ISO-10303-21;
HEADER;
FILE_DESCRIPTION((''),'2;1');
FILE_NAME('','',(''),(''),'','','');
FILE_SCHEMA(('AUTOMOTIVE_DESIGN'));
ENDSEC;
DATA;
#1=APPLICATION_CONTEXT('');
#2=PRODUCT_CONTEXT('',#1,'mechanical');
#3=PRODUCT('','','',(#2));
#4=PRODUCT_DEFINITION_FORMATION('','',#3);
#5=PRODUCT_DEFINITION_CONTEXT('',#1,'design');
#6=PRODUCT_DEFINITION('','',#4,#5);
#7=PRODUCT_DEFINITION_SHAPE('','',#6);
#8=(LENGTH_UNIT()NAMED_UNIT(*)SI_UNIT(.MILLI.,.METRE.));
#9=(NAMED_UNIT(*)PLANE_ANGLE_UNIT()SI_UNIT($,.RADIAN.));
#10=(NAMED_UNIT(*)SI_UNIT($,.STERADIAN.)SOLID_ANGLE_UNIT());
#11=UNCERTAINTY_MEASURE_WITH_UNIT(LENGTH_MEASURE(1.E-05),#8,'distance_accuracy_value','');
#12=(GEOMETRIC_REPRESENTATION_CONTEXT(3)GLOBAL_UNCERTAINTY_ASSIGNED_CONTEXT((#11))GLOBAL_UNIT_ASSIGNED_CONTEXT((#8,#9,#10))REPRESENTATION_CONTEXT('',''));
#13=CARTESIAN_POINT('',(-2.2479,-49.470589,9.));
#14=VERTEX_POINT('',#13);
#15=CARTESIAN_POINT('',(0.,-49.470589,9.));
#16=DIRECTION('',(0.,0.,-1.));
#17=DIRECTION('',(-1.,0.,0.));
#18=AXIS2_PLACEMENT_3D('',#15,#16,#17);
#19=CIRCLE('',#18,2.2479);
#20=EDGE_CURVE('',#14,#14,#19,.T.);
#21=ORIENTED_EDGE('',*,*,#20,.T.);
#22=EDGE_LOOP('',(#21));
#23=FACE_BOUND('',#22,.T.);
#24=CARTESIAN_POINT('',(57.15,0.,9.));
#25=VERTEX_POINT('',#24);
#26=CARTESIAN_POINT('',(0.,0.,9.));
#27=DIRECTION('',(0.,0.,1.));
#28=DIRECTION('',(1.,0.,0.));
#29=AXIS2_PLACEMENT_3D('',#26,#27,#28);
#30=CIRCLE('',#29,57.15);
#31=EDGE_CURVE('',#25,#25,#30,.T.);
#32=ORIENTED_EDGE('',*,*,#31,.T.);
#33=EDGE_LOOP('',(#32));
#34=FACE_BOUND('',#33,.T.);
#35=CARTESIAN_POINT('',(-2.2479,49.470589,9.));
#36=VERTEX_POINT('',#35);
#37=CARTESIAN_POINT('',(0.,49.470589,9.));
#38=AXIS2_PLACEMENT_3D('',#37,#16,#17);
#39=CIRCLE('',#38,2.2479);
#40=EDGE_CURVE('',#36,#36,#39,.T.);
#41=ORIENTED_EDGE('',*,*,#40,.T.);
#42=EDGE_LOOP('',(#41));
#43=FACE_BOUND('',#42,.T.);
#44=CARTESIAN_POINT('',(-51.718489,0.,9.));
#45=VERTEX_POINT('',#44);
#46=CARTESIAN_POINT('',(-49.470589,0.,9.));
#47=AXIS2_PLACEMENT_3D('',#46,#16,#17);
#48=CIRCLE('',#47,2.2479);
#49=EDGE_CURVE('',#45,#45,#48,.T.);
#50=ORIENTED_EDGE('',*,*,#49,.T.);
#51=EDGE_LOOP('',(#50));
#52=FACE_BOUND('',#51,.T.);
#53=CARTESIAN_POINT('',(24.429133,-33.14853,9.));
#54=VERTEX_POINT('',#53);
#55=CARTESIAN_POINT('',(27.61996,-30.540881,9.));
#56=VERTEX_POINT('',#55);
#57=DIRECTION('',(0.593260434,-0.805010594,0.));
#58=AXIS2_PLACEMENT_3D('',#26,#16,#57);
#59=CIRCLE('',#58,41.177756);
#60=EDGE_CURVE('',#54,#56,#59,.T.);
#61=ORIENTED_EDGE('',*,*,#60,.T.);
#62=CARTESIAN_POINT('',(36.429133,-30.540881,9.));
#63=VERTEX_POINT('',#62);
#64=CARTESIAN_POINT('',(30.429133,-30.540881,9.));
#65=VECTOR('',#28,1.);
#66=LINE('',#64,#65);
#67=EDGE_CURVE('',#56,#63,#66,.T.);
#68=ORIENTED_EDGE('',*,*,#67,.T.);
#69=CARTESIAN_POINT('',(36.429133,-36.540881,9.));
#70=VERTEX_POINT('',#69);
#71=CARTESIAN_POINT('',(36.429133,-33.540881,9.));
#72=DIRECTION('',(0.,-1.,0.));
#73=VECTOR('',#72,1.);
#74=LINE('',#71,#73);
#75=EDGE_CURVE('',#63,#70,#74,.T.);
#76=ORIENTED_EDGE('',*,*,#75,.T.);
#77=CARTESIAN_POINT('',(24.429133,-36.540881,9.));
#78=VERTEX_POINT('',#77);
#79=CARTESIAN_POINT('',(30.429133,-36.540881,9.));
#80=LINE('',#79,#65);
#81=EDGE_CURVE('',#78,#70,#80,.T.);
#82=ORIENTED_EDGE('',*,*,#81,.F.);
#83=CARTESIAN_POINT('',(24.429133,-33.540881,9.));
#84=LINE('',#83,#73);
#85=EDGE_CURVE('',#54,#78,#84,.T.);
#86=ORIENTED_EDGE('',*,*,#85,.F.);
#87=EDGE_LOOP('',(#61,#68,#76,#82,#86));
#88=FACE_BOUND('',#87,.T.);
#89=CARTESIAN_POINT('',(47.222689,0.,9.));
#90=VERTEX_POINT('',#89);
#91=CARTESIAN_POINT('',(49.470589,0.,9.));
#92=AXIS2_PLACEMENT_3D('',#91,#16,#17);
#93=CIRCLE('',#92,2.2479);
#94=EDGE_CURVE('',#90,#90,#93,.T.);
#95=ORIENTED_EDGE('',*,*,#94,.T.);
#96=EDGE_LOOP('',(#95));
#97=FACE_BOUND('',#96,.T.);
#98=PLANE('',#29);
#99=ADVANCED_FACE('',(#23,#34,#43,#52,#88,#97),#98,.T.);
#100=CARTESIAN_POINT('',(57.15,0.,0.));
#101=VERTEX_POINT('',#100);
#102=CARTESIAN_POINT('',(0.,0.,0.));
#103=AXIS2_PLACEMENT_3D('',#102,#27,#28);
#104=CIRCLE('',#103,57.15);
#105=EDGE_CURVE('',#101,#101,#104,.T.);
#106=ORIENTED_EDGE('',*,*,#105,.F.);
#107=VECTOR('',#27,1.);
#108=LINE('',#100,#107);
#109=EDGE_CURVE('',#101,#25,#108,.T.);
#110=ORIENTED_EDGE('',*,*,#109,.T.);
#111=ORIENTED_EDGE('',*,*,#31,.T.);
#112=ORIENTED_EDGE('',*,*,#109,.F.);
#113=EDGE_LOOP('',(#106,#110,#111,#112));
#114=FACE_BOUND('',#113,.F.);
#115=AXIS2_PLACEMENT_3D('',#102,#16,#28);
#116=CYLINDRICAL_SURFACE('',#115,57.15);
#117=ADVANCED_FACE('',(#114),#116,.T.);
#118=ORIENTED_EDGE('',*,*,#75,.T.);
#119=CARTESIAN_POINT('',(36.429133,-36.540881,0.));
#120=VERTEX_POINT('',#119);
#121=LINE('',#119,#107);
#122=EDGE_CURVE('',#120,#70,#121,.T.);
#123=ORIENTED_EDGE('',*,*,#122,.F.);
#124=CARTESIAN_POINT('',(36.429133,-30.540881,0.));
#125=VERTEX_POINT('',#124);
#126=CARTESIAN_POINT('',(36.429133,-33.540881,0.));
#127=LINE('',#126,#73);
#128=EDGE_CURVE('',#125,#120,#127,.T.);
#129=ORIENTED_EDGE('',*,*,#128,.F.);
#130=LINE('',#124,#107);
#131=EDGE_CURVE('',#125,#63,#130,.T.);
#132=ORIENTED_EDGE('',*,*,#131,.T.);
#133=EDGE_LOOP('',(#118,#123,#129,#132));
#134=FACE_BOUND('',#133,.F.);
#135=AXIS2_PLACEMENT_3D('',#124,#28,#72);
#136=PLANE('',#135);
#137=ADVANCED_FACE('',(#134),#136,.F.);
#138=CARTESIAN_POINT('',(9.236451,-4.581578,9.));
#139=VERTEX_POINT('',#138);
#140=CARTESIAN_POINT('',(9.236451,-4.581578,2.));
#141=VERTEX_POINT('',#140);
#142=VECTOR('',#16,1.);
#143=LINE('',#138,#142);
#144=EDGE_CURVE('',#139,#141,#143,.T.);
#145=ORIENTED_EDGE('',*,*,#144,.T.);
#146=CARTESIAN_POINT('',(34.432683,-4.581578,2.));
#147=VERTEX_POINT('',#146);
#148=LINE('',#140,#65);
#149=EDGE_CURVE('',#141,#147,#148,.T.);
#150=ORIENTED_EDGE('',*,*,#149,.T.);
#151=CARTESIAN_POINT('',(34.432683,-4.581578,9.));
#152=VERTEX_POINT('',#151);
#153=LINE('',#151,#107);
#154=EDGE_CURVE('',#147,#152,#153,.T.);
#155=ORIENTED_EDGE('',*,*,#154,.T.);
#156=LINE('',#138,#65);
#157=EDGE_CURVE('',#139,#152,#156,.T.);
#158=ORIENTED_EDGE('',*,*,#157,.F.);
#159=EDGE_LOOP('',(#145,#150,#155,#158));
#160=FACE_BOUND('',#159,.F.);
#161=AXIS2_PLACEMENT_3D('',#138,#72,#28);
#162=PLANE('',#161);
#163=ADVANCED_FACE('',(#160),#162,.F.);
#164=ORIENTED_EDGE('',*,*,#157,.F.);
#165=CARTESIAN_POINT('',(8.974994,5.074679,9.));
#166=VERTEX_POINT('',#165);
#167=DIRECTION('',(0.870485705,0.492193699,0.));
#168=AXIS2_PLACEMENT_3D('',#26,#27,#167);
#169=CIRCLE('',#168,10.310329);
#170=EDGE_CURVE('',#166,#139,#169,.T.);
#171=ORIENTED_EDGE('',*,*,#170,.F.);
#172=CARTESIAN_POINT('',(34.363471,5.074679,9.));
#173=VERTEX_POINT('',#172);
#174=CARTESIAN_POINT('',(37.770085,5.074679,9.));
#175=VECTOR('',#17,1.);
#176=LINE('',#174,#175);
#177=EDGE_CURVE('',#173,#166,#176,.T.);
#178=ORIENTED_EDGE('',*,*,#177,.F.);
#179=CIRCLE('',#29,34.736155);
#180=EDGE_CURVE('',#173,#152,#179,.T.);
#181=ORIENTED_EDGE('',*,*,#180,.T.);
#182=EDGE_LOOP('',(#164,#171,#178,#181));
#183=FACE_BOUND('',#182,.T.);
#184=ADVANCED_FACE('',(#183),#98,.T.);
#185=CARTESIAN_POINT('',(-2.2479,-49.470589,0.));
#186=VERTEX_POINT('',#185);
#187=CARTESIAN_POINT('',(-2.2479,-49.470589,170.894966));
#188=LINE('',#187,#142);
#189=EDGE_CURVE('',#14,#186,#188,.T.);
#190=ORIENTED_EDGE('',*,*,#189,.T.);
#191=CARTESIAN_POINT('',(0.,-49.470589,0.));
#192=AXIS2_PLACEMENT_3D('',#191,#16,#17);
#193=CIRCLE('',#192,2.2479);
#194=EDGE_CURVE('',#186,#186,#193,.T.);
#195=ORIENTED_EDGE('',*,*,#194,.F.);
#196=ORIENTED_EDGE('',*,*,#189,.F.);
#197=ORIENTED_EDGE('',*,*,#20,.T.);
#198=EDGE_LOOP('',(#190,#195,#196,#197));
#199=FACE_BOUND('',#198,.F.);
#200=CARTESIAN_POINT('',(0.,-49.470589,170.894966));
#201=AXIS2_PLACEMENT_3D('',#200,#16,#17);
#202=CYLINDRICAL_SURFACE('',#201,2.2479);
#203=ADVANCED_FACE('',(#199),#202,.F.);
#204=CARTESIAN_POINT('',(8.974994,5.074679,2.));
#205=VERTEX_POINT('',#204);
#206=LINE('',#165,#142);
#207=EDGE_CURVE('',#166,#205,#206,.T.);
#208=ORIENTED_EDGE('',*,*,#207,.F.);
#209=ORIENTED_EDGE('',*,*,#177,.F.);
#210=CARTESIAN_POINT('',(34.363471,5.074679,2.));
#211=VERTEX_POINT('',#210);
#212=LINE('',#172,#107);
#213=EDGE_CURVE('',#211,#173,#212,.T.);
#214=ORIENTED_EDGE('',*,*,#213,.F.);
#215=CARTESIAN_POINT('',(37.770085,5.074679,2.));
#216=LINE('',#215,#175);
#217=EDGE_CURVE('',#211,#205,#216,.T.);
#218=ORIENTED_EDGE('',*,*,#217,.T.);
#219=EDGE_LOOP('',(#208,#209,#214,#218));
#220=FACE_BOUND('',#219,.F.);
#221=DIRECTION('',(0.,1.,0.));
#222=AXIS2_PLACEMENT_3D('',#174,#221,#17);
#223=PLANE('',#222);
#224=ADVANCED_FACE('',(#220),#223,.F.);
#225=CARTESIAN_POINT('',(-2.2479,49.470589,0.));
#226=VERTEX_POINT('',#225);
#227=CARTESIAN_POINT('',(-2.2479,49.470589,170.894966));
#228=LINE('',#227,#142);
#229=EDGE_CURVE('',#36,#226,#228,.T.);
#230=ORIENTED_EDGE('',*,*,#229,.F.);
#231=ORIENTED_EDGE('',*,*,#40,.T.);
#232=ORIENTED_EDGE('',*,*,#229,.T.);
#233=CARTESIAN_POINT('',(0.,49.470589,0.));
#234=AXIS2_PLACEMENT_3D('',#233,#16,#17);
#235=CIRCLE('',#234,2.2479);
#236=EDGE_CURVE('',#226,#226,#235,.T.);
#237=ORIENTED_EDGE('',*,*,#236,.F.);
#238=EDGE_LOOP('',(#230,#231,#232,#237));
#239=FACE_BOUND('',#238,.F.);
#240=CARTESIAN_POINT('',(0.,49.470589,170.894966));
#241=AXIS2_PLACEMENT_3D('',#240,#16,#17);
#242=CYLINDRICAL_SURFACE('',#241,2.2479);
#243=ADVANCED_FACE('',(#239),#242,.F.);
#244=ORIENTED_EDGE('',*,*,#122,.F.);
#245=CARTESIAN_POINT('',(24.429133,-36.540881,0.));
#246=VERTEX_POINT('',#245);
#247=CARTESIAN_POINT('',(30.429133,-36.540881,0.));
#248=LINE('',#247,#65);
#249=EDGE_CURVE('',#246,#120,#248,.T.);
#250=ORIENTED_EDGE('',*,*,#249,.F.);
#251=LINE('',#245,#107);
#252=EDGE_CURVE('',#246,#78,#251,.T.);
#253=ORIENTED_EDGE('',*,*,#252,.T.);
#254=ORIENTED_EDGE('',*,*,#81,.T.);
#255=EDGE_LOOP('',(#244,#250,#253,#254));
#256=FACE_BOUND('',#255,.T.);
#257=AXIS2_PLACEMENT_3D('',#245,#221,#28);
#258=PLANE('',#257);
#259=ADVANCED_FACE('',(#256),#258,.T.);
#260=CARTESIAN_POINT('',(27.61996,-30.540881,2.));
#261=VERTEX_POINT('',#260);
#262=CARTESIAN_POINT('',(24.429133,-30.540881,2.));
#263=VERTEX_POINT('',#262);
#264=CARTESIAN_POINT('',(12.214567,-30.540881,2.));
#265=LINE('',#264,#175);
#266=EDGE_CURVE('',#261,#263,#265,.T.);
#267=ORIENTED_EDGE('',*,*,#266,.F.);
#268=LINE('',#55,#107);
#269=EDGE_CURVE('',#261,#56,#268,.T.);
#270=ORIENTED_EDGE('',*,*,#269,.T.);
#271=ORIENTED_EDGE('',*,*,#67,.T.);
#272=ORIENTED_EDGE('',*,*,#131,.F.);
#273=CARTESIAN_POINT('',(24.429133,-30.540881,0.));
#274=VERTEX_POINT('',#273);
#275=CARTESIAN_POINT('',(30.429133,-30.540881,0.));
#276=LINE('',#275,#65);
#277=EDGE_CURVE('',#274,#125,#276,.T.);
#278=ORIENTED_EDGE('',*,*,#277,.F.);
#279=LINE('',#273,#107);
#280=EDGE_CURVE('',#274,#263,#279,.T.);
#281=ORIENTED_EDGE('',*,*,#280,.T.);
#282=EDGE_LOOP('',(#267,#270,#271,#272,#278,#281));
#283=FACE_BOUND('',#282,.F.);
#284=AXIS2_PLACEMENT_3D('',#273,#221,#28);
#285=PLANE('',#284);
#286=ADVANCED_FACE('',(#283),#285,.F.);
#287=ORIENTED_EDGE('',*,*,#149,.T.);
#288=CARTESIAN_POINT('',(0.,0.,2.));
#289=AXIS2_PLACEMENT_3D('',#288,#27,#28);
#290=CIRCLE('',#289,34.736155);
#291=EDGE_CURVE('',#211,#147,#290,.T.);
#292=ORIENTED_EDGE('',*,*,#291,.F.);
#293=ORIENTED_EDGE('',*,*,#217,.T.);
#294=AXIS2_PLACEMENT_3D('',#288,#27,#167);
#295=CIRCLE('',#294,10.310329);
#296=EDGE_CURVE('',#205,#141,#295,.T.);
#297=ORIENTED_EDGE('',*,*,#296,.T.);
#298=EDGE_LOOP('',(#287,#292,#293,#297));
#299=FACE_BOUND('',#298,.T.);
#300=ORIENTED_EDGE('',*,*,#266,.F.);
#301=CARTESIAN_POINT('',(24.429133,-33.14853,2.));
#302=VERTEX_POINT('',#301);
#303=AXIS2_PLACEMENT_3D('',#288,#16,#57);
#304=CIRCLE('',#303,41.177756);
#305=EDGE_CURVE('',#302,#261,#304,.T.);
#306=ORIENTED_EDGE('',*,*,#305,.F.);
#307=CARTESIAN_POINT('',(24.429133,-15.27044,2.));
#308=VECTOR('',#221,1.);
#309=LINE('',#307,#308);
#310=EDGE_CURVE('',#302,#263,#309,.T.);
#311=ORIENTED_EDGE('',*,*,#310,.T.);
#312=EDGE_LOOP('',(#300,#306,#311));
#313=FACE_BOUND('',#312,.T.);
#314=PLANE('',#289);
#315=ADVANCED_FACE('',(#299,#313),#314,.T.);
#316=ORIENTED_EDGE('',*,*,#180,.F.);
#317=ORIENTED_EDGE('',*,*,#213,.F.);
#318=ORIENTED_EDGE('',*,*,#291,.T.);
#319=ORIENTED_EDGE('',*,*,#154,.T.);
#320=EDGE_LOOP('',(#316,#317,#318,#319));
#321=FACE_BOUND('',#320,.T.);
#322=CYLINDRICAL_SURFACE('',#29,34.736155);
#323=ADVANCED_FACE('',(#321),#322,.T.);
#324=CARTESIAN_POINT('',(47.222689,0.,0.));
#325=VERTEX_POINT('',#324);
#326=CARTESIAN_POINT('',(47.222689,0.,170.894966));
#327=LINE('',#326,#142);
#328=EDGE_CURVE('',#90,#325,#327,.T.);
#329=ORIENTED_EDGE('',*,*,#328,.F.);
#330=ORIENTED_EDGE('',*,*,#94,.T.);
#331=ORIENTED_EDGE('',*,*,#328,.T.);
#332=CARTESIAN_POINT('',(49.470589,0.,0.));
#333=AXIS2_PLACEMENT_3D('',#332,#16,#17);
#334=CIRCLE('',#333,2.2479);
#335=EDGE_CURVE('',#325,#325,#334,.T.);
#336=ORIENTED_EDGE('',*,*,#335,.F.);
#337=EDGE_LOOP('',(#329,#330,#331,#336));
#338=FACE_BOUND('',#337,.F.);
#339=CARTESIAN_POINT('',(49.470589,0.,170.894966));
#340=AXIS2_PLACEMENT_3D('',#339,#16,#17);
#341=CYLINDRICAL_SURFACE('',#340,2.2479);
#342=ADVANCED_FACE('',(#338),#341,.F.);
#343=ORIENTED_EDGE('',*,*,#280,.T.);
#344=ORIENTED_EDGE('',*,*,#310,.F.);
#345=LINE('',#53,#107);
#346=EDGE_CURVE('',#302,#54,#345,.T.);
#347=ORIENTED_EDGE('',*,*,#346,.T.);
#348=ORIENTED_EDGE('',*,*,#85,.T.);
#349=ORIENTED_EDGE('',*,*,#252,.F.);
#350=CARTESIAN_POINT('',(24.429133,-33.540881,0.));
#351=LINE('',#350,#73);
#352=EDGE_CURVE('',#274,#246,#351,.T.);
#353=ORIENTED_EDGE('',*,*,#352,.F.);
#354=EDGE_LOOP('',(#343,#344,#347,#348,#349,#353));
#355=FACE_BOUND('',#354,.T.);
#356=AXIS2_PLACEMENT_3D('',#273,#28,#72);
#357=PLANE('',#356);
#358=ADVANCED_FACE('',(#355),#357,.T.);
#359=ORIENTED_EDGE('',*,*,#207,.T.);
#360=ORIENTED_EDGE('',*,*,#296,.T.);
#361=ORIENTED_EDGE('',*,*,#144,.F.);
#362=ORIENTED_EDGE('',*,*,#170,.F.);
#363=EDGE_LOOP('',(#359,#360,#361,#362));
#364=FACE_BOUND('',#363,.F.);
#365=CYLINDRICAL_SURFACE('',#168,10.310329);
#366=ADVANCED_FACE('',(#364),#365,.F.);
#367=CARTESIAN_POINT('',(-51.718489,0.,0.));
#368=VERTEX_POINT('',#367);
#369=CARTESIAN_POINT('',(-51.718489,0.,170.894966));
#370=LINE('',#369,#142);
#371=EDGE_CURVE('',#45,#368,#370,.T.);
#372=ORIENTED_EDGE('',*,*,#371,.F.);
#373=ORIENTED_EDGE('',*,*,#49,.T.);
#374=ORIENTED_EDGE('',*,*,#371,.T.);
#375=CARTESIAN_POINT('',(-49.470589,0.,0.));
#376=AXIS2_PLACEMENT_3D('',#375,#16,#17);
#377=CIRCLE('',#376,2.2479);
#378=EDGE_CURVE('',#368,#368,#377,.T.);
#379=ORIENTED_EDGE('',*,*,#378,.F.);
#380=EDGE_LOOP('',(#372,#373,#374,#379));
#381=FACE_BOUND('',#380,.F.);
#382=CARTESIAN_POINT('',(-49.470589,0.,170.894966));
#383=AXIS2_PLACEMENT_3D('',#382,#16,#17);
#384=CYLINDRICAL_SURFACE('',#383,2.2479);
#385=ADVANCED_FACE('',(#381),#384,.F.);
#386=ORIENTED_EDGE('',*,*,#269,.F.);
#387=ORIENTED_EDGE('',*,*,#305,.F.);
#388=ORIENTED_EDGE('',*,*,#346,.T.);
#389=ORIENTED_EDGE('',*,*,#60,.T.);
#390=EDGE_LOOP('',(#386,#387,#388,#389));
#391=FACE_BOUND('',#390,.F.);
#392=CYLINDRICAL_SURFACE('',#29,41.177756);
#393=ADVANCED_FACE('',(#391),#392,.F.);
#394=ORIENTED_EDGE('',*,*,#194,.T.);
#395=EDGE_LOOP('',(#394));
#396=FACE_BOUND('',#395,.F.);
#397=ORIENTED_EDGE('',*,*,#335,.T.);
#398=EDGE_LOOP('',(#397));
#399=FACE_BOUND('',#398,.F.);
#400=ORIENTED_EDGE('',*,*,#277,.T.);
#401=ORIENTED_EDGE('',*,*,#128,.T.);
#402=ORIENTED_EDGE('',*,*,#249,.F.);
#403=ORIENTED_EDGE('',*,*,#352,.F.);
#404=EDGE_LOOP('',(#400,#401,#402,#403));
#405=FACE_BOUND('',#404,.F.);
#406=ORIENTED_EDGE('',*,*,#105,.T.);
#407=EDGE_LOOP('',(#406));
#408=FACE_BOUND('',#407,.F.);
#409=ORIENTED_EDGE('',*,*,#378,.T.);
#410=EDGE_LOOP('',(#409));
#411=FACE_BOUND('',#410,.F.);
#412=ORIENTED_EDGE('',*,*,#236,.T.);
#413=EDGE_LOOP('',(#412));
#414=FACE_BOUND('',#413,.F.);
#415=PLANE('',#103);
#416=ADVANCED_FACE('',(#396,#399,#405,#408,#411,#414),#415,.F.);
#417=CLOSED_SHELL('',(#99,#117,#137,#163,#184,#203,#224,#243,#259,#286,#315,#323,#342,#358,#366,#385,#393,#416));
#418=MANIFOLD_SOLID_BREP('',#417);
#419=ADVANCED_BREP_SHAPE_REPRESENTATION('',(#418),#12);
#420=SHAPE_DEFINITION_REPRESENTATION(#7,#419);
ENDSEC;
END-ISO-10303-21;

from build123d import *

# Parameters (mm, degrees)
F0_R     = 57.15
F1_DEPTH = 9
F2_R     = 41.1777557501
F2_R_2   = 34.7361553424
F3_DEPTH = 7
F5_DEPTH = 7
F6_W     = 12
F6_H     = 6
F7_DEPTH = 9
F9_D     = 4.4958


with BuildPart() as f1:
    # F0 (on Top) → F1 (new body)
    with BuildSketch(Plane.XY):
        Circle(F0_R)
    extrude(amount=F1_DEPTH)

    # F2 (on face) → F3 (cut)
    with BuildSketch(Plane.XY.offset(9)):
        Circle(F2_R)
        Circle(F2_R_2, mode=Mode.SUBTRACT)
    extrude(amount=-F3_DEPTH, mode=Mode.SUBTRACT)

    # F4 (on face) → F5 (cut)
    with BuildSketch(Plane.XY.offset(9)):
        with BuildLine():
            ThreePointArc((9.2364512329, -4.5815780759), (10.0382703258, -2.3528743932), (10.3103292403, 0))
            ThreePointArc((10.3103292403, 0), (9.9709085428, 2.6237133751), (8.9749942157, 5.0746790905))
            Line((8.9749942157, 5.0746790905), (8.9749942157, -4.5815780759))
            Line((8.9749942157, -4.5815780759), (9.2364512329, -4.5815780759))
        make_face()
        with BuildLine():
            Line((37.7700850368, 5.0746790905), (34.3634707226, 5.0746790905))
            ThreePointArc((34.3634707226, 5.0746790905), (34.6428588969, 2.544172837), (34.7361553424, 0))
            ThreePointArc((34.7361553424, 0), (34.6602041198, -2.2958088649), (34.4326825895, -4.5815780759))
            Line((34.4326825895, -4.5815780759), (37.7700850368, -4.5815780759))
            Line((37.7700850368, -4.5815780759), (37.7700850368, 5.0746790905))
        make_face()
        with BuildLine():
            Line((8.9749942157, -4.5815780759), (8.9749942157, 5.0746790905))
            ThreePointArc((8.9749942157, 5.0746790905), (-10.3065518942, -0.27906468), (9.2364512329, -4.5815780759))
            Line((9.2364512329, -4.5815780759), (8.9749942157, -4.5815780759))
        make_face()
        with BuildLine():
            ThreePointArc((8.9749942157, 5.0746790905), (9.9709085428, 2.6237133751), (10.3103292403, 0))
            ThreePointArc((10.3103292403, 0), (10.0382703258, -2.3528743932), (9.2364512329, -4.5815780759))
            Line((9.2364512329, -4.5815780759), (34.4326825895, -4.5815780759))
            ThreePointArc((34.4326825895, -4.5815780759), (34.6602041198, -2.2958088649), (34.7361553424, 0))
            ThreePointArc((34.7361553424, 0), (34.6428588969, 2.544172837), (34.3634707226, 5.0746790905))
            Line((34.3634707226, 5.0746790905), (8.9749942157, 5.0746790905))
        make_face()
    extrude(amount=-F5_DEPTH, mode=Mode.SUBTRACT)

    # F6 (on face) → F7 (cut)
    with BuildSketch(Plane(origin=(0, 0, 0), x_dir=(1, 0, 0), z_dir=(0, 0, -1))):
        with Locations((30.4291332662, 33.5408807993)):
            Rectangle(F6_W, F6_H)
    extrude(amount=-F7_DEPTH, mode=Mode.SUBTRACT)

    # F9 (through all)
    with Locations(Plane.XY.offset(9)):
        with Locations((0, 49.4705886591), (-49.4705886591, 0), (0, -49.4705886591), (49.4705886591, 0)):
            Hole(F9_D / 2)


solid = f1.part
